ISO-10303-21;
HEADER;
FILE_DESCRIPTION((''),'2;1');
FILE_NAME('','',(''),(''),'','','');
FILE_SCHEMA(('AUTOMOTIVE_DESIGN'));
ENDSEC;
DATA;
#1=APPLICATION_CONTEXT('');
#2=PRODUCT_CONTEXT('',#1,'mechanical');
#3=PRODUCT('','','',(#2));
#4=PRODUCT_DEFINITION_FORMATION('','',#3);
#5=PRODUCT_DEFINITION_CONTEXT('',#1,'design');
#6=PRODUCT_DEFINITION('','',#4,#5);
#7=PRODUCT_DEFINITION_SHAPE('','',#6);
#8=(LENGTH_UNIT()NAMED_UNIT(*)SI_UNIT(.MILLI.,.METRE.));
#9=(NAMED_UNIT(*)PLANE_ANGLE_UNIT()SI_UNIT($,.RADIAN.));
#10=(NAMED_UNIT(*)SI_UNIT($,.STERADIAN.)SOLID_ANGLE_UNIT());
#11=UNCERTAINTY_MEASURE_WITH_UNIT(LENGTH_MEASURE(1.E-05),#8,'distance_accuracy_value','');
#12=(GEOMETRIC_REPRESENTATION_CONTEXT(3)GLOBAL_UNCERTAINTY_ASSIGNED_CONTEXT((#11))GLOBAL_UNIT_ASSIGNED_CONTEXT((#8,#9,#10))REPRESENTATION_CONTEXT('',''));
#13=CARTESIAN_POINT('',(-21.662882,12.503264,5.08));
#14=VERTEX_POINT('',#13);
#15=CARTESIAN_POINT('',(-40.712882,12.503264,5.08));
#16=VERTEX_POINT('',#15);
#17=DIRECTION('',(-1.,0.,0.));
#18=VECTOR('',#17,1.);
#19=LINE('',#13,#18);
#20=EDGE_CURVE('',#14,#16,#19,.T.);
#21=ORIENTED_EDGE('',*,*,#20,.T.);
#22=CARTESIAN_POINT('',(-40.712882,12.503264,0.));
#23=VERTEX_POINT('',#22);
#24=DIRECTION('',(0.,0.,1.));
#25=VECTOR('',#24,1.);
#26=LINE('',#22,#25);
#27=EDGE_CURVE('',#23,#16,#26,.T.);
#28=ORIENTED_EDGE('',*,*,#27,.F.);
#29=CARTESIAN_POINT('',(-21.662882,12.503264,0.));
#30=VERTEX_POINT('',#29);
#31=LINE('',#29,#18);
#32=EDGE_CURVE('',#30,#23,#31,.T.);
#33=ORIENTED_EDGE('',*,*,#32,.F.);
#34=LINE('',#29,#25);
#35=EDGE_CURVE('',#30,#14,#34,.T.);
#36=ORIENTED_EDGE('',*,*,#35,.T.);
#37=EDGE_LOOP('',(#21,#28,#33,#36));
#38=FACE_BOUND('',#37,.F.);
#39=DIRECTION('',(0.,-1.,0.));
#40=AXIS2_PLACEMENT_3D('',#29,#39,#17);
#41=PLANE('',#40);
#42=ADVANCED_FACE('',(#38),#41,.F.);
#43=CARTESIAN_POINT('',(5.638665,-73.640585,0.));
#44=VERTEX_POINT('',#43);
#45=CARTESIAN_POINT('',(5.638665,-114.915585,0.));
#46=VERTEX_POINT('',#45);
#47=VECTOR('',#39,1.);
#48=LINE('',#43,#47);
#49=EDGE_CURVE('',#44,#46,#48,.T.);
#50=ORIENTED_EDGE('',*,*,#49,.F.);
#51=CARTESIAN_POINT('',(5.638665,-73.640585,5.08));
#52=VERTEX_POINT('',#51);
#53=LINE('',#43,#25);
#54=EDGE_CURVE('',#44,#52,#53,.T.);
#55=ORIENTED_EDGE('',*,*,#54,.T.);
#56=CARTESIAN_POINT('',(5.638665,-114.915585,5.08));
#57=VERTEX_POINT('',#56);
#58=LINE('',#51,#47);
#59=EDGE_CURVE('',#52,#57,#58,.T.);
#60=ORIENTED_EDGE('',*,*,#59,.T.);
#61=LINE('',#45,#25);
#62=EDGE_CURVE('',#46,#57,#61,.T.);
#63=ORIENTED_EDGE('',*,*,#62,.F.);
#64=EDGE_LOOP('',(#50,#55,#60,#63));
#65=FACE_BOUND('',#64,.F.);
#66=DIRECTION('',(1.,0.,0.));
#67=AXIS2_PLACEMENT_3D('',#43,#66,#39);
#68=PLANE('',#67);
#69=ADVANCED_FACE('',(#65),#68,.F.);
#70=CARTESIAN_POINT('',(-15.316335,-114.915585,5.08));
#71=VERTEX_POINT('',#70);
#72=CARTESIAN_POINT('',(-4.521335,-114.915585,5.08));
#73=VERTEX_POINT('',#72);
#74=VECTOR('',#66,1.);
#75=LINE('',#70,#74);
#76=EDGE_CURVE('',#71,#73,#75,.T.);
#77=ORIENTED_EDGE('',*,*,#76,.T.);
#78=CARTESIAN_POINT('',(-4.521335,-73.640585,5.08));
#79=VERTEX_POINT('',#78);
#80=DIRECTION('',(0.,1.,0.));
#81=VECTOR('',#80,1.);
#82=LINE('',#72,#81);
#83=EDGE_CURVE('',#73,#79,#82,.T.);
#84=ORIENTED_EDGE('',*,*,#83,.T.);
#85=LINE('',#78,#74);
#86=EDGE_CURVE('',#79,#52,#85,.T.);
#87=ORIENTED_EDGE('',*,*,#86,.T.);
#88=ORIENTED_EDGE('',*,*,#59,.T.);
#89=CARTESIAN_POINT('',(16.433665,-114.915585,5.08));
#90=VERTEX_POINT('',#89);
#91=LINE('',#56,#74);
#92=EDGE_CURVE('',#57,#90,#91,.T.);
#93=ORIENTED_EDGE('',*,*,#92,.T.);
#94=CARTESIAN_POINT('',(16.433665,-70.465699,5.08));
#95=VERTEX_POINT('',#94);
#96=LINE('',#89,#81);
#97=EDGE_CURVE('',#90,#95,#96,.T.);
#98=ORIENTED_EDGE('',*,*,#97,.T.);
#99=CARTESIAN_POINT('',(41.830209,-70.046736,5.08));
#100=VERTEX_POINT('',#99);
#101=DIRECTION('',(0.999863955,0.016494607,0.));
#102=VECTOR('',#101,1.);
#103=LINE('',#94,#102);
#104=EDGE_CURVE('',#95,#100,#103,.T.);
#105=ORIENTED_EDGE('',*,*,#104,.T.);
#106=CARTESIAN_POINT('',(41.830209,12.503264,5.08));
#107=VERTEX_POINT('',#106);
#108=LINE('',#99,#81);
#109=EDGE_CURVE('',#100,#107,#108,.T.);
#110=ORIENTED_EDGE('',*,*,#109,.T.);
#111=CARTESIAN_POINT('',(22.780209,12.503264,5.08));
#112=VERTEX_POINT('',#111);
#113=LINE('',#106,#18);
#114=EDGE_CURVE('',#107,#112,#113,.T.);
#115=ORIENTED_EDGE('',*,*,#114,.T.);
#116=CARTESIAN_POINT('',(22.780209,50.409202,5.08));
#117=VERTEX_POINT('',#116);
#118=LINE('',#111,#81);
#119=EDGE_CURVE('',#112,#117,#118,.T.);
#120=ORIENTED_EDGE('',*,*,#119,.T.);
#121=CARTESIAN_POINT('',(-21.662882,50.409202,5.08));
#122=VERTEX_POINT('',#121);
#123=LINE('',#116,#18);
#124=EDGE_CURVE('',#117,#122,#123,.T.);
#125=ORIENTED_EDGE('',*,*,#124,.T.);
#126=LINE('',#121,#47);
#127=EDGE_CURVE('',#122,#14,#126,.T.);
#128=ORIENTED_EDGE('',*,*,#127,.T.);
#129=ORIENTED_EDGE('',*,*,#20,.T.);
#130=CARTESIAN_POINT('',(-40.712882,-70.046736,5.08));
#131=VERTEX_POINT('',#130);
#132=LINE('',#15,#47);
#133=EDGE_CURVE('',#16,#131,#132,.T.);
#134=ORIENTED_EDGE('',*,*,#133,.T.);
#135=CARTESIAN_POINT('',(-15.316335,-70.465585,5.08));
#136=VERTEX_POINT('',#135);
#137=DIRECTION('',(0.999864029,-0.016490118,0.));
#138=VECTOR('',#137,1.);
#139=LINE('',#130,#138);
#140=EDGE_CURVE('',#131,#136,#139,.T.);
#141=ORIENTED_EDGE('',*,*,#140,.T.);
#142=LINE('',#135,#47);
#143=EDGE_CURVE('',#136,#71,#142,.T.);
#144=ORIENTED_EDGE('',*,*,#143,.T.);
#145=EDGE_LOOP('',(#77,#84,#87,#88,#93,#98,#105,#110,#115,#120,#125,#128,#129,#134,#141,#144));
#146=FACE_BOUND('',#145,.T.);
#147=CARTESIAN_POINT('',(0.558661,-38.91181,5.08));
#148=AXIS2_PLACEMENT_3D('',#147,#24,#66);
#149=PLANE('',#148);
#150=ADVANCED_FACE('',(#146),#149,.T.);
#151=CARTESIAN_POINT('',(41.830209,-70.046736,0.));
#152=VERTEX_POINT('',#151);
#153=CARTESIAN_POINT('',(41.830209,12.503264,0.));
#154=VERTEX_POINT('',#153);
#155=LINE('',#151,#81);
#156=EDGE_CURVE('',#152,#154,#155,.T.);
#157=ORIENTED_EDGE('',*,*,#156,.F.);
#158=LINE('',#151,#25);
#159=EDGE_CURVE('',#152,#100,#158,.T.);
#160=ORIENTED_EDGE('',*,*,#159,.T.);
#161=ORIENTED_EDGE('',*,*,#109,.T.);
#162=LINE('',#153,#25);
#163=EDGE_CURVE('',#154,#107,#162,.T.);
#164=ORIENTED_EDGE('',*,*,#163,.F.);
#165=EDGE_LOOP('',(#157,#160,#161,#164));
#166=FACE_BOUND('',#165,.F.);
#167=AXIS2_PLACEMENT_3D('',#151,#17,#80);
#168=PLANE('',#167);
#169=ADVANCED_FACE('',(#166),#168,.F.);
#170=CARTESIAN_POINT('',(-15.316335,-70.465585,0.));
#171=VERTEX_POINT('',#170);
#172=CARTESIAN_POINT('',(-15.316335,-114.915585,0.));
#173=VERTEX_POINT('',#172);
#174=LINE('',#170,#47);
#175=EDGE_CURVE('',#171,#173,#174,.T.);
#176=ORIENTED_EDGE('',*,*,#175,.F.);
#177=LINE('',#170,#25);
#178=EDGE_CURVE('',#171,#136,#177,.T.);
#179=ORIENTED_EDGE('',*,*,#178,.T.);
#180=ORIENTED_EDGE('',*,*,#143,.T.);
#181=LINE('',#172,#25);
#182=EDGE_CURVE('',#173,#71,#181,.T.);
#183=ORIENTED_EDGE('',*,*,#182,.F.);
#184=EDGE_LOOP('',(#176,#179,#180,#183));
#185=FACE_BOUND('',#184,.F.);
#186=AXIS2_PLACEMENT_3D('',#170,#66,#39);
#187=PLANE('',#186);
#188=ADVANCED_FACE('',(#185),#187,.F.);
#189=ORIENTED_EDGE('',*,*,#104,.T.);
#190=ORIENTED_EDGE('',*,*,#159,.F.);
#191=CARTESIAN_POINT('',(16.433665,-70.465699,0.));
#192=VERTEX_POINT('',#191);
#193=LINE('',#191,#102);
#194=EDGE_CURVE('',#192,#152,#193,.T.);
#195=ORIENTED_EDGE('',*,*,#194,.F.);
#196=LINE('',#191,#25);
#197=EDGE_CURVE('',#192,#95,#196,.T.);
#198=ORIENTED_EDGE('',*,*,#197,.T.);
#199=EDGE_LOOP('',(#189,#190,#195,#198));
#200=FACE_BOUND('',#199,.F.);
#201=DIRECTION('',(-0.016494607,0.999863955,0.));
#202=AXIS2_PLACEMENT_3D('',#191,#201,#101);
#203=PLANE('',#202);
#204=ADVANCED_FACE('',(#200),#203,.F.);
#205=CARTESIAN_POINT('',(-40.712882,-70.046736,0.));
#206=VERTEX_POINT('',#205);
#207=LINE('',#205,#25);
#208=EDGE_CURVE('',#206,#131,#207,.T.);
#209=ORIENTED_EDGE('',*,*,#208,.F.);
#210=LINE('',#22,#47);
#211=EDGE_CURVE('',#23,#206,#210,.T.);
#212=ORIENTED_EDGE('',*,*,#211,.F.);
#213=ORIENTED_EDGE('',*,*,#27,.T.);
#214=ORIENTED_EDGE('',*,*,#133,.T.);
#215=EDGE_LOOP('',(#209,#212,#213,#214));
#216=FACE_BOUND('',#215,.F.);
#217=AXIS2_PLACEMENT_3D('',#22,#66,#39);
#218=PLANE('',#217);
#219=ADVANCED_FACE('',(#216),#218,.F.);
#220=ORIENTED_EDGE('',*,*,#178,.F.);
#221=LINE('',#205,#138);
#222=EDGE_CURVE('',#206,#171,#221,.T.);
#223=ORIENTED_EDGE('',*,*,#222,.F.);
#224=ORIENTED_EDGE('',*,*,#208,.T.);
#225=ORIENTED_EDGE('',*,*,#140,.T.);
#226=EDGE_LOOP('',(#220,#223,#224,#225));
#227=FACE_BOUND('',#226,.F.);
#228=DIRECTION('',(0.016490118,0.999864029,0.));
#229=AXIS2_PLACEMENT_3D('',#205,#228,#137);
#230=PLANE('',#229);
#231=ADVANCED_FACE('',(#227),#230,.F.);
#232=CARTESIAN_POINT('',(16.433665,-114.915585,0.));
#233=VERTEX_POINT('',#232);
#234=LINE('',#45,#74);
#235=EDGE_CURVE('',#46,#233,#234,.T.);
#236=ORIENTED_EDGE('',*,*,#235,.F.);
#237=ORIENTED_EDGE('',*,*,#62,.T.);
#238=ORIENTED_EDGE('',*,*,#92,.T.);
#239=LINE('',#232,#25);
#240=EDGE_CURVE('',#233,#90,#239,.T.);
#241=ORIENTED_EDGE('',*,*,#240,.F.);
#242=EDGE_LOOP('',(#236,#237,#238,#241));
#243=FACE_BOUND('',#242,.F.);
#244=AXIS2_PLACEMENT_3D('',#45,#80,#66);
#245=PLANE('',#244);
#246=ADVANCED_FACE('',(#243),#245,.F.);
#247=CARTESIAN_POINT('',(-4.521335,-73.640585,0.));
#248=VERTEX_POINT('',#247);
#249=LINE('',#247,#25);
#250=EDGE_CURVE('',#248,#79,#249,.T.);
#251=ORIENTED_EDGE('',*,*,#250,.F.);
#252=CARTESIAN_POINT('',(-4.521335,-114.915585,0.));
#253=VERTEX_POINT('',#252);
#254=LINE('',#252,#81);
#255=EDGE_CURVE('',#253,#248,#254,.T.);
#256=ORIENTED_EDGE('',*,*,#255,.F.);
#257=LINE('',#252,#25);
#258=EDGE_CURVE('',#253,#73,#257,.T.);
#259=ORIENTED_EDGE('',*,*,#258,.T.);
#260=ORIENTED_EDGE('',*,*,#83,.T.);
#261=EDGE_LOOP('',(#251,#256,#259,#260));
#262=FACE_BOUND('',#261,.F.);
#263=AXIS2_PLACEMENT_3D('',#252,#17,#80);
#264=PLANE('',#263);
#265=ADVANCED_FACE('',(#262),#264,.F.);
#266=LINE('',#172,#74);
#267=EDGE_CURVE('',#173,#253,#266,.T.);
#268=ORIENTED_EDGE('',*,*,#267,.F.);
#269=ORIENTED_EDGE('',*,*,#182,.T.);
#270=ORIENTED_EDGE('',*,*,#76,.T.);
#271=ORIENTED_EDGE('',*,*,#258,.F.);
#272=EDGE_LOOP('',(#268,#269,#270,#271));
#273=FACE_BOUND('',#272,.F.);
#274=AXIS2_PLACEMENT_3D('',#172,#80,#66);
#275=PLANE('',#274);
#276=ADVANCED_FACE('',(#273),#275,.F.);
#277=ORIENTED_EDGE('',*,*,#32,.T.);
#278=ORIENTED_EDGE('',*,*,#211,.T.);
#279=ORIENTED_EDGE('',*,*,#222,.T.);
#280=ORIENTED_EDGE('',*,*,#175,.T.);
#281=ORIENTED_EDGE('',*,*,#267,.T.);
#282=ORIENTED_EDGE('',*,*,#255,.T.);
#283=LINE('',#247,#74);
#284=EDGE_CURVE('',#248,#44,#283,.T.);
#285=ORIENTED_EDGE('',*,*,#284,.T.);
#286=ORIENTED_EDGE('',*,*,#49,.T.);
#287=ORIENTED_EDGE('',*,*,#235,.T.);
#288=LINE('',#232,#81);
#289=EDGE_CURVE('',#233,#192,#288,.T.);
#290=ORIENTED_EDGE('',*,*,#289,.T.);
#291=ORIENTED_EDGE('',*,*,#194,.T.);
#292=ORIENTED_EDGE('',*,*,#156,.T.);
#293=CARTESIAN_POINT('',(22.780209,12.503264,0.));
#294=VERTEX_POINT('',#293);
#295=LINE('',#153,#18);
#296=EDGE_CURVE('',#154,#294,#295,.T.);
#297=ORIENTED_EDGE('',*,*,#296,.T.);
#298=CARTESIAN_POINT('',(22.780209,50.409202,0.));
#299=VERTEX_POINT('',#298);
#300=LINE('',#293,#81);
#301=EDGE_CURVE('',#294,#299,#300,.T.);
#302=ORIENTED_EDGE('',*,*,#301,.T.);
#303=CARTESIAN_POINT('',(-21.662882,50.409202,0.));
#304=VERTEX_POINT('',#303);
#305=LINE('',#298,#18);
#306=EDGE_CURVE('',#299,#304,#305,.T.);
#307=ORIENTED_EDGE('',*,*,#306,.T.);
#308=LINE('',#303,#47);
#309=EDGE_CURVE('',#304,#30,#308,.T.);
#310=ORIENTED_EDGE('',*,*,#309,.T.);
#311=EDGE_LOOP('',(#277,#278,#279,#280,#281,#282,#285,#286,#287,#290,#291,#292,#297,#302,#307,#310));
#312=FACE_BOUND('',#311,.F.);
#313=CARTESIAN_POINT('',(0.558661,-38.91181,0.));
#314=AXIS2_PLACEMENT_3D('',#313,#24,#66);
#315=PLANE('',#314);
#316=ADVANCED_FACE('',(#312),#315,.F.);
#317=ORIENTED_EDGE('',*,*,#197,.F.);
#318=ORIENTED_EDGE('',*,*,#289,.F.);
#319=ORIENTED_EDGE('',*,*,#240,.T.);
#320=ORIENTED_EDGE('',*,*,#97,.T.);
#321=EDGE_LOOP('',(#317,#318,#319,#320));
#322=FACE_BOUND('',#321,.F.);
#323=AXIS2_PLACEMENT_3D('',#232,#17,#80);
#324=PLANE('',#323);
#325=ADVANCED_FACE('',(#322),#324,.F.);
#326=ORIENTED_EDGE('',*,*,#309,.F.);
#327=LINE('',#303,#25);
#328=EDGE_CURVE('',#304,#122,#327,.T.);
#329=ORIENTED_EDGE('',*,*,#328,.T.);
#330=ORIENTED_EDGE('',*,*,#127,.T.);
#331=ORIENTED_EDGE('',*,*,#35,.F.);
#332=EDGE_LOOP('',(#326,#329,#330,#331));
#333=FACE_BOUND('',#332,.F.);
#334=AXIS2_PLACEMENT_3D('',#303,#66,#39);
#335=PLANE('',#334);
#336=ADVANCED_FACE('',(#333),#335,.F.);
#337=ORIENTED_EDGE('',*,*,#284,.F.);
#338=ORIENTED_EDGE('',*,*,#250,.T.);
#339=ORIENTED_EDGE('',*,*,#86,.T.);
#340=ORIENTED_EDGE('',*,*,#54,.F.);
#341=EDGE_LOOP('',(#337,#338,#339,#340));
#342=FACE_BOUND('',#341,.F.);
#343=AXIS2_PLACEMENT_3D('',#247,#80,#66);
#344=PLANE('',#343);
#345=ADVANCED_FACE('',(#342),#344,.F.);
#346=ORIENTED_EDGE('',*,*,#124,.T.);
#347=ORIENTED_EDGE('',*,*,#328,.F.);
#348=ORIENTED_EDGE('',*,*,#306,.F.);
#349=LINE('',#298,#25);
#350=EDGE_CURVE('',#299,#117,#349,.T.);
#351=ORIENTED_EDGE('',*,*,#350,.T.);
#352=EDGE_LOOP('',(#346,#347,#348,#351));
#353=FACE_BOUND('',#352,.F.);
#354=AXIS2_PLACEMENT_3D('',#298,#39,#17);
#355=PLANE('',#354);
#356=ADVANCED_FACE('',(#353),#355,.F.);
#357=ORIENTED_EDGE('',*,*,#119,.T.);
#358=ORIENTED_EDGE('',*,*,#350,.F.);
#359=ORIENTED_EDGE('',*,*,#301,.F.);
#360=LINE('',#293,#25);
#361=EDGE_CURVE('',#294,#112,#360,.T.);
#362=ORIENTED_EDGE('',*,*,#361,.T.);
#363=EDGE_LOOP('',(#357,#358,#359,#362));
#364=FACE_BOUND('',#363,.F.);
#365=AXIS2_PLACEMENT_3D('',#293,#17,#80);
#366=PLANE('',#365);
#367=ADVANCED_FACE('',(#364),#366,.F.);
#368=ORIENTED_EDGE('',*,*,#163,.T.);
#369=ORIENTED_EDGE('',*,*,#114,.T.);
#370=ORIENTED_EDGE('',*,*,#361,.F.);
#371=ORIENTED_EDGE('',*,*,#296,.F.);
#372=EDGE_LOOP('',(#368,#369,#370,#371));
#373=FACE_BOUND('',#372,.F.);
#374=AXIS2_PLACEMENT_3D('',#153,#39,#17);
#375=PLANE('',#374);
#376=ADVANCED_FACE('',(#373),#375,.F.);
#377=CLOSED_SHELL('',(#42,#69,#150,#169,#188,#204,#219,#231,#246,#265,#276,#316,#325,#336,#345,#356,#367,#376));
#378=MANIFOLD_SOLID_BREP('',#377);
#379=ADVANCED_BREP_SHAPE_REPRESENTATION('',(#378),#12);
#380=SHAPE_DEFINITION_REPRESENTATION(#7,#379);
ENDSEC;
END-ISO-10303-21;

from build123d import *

# Parameters (mm, degrees)
F1_DEPTH = 5.08


with BuildPart() as f1:
    # F0 (on Top) → F1 (new body)
    with BuildSketch(Plane.XY):
        Polygon((22.780209, 50.409202), (-21.662882, 50.409202), (-21.662882, 12.503264), (-40.712882, 12.503264), (-40.712882, -70.046736), (-15.316335, -70.465585), (-15.316335, -114.915585), (-4.521335, -114.915585), (-4.521335, -73.640585), (5.638665, -73.640585), (5.638665, -114.915585), (16.433665, -114.915585), (16.433665, -70.465699), (41.830209, -70.046736), (41.830209, 12.503264), (22.780209, 12.503264), align=None)
    extrude(amount=F1_DEPTH)


solid = f1.part
